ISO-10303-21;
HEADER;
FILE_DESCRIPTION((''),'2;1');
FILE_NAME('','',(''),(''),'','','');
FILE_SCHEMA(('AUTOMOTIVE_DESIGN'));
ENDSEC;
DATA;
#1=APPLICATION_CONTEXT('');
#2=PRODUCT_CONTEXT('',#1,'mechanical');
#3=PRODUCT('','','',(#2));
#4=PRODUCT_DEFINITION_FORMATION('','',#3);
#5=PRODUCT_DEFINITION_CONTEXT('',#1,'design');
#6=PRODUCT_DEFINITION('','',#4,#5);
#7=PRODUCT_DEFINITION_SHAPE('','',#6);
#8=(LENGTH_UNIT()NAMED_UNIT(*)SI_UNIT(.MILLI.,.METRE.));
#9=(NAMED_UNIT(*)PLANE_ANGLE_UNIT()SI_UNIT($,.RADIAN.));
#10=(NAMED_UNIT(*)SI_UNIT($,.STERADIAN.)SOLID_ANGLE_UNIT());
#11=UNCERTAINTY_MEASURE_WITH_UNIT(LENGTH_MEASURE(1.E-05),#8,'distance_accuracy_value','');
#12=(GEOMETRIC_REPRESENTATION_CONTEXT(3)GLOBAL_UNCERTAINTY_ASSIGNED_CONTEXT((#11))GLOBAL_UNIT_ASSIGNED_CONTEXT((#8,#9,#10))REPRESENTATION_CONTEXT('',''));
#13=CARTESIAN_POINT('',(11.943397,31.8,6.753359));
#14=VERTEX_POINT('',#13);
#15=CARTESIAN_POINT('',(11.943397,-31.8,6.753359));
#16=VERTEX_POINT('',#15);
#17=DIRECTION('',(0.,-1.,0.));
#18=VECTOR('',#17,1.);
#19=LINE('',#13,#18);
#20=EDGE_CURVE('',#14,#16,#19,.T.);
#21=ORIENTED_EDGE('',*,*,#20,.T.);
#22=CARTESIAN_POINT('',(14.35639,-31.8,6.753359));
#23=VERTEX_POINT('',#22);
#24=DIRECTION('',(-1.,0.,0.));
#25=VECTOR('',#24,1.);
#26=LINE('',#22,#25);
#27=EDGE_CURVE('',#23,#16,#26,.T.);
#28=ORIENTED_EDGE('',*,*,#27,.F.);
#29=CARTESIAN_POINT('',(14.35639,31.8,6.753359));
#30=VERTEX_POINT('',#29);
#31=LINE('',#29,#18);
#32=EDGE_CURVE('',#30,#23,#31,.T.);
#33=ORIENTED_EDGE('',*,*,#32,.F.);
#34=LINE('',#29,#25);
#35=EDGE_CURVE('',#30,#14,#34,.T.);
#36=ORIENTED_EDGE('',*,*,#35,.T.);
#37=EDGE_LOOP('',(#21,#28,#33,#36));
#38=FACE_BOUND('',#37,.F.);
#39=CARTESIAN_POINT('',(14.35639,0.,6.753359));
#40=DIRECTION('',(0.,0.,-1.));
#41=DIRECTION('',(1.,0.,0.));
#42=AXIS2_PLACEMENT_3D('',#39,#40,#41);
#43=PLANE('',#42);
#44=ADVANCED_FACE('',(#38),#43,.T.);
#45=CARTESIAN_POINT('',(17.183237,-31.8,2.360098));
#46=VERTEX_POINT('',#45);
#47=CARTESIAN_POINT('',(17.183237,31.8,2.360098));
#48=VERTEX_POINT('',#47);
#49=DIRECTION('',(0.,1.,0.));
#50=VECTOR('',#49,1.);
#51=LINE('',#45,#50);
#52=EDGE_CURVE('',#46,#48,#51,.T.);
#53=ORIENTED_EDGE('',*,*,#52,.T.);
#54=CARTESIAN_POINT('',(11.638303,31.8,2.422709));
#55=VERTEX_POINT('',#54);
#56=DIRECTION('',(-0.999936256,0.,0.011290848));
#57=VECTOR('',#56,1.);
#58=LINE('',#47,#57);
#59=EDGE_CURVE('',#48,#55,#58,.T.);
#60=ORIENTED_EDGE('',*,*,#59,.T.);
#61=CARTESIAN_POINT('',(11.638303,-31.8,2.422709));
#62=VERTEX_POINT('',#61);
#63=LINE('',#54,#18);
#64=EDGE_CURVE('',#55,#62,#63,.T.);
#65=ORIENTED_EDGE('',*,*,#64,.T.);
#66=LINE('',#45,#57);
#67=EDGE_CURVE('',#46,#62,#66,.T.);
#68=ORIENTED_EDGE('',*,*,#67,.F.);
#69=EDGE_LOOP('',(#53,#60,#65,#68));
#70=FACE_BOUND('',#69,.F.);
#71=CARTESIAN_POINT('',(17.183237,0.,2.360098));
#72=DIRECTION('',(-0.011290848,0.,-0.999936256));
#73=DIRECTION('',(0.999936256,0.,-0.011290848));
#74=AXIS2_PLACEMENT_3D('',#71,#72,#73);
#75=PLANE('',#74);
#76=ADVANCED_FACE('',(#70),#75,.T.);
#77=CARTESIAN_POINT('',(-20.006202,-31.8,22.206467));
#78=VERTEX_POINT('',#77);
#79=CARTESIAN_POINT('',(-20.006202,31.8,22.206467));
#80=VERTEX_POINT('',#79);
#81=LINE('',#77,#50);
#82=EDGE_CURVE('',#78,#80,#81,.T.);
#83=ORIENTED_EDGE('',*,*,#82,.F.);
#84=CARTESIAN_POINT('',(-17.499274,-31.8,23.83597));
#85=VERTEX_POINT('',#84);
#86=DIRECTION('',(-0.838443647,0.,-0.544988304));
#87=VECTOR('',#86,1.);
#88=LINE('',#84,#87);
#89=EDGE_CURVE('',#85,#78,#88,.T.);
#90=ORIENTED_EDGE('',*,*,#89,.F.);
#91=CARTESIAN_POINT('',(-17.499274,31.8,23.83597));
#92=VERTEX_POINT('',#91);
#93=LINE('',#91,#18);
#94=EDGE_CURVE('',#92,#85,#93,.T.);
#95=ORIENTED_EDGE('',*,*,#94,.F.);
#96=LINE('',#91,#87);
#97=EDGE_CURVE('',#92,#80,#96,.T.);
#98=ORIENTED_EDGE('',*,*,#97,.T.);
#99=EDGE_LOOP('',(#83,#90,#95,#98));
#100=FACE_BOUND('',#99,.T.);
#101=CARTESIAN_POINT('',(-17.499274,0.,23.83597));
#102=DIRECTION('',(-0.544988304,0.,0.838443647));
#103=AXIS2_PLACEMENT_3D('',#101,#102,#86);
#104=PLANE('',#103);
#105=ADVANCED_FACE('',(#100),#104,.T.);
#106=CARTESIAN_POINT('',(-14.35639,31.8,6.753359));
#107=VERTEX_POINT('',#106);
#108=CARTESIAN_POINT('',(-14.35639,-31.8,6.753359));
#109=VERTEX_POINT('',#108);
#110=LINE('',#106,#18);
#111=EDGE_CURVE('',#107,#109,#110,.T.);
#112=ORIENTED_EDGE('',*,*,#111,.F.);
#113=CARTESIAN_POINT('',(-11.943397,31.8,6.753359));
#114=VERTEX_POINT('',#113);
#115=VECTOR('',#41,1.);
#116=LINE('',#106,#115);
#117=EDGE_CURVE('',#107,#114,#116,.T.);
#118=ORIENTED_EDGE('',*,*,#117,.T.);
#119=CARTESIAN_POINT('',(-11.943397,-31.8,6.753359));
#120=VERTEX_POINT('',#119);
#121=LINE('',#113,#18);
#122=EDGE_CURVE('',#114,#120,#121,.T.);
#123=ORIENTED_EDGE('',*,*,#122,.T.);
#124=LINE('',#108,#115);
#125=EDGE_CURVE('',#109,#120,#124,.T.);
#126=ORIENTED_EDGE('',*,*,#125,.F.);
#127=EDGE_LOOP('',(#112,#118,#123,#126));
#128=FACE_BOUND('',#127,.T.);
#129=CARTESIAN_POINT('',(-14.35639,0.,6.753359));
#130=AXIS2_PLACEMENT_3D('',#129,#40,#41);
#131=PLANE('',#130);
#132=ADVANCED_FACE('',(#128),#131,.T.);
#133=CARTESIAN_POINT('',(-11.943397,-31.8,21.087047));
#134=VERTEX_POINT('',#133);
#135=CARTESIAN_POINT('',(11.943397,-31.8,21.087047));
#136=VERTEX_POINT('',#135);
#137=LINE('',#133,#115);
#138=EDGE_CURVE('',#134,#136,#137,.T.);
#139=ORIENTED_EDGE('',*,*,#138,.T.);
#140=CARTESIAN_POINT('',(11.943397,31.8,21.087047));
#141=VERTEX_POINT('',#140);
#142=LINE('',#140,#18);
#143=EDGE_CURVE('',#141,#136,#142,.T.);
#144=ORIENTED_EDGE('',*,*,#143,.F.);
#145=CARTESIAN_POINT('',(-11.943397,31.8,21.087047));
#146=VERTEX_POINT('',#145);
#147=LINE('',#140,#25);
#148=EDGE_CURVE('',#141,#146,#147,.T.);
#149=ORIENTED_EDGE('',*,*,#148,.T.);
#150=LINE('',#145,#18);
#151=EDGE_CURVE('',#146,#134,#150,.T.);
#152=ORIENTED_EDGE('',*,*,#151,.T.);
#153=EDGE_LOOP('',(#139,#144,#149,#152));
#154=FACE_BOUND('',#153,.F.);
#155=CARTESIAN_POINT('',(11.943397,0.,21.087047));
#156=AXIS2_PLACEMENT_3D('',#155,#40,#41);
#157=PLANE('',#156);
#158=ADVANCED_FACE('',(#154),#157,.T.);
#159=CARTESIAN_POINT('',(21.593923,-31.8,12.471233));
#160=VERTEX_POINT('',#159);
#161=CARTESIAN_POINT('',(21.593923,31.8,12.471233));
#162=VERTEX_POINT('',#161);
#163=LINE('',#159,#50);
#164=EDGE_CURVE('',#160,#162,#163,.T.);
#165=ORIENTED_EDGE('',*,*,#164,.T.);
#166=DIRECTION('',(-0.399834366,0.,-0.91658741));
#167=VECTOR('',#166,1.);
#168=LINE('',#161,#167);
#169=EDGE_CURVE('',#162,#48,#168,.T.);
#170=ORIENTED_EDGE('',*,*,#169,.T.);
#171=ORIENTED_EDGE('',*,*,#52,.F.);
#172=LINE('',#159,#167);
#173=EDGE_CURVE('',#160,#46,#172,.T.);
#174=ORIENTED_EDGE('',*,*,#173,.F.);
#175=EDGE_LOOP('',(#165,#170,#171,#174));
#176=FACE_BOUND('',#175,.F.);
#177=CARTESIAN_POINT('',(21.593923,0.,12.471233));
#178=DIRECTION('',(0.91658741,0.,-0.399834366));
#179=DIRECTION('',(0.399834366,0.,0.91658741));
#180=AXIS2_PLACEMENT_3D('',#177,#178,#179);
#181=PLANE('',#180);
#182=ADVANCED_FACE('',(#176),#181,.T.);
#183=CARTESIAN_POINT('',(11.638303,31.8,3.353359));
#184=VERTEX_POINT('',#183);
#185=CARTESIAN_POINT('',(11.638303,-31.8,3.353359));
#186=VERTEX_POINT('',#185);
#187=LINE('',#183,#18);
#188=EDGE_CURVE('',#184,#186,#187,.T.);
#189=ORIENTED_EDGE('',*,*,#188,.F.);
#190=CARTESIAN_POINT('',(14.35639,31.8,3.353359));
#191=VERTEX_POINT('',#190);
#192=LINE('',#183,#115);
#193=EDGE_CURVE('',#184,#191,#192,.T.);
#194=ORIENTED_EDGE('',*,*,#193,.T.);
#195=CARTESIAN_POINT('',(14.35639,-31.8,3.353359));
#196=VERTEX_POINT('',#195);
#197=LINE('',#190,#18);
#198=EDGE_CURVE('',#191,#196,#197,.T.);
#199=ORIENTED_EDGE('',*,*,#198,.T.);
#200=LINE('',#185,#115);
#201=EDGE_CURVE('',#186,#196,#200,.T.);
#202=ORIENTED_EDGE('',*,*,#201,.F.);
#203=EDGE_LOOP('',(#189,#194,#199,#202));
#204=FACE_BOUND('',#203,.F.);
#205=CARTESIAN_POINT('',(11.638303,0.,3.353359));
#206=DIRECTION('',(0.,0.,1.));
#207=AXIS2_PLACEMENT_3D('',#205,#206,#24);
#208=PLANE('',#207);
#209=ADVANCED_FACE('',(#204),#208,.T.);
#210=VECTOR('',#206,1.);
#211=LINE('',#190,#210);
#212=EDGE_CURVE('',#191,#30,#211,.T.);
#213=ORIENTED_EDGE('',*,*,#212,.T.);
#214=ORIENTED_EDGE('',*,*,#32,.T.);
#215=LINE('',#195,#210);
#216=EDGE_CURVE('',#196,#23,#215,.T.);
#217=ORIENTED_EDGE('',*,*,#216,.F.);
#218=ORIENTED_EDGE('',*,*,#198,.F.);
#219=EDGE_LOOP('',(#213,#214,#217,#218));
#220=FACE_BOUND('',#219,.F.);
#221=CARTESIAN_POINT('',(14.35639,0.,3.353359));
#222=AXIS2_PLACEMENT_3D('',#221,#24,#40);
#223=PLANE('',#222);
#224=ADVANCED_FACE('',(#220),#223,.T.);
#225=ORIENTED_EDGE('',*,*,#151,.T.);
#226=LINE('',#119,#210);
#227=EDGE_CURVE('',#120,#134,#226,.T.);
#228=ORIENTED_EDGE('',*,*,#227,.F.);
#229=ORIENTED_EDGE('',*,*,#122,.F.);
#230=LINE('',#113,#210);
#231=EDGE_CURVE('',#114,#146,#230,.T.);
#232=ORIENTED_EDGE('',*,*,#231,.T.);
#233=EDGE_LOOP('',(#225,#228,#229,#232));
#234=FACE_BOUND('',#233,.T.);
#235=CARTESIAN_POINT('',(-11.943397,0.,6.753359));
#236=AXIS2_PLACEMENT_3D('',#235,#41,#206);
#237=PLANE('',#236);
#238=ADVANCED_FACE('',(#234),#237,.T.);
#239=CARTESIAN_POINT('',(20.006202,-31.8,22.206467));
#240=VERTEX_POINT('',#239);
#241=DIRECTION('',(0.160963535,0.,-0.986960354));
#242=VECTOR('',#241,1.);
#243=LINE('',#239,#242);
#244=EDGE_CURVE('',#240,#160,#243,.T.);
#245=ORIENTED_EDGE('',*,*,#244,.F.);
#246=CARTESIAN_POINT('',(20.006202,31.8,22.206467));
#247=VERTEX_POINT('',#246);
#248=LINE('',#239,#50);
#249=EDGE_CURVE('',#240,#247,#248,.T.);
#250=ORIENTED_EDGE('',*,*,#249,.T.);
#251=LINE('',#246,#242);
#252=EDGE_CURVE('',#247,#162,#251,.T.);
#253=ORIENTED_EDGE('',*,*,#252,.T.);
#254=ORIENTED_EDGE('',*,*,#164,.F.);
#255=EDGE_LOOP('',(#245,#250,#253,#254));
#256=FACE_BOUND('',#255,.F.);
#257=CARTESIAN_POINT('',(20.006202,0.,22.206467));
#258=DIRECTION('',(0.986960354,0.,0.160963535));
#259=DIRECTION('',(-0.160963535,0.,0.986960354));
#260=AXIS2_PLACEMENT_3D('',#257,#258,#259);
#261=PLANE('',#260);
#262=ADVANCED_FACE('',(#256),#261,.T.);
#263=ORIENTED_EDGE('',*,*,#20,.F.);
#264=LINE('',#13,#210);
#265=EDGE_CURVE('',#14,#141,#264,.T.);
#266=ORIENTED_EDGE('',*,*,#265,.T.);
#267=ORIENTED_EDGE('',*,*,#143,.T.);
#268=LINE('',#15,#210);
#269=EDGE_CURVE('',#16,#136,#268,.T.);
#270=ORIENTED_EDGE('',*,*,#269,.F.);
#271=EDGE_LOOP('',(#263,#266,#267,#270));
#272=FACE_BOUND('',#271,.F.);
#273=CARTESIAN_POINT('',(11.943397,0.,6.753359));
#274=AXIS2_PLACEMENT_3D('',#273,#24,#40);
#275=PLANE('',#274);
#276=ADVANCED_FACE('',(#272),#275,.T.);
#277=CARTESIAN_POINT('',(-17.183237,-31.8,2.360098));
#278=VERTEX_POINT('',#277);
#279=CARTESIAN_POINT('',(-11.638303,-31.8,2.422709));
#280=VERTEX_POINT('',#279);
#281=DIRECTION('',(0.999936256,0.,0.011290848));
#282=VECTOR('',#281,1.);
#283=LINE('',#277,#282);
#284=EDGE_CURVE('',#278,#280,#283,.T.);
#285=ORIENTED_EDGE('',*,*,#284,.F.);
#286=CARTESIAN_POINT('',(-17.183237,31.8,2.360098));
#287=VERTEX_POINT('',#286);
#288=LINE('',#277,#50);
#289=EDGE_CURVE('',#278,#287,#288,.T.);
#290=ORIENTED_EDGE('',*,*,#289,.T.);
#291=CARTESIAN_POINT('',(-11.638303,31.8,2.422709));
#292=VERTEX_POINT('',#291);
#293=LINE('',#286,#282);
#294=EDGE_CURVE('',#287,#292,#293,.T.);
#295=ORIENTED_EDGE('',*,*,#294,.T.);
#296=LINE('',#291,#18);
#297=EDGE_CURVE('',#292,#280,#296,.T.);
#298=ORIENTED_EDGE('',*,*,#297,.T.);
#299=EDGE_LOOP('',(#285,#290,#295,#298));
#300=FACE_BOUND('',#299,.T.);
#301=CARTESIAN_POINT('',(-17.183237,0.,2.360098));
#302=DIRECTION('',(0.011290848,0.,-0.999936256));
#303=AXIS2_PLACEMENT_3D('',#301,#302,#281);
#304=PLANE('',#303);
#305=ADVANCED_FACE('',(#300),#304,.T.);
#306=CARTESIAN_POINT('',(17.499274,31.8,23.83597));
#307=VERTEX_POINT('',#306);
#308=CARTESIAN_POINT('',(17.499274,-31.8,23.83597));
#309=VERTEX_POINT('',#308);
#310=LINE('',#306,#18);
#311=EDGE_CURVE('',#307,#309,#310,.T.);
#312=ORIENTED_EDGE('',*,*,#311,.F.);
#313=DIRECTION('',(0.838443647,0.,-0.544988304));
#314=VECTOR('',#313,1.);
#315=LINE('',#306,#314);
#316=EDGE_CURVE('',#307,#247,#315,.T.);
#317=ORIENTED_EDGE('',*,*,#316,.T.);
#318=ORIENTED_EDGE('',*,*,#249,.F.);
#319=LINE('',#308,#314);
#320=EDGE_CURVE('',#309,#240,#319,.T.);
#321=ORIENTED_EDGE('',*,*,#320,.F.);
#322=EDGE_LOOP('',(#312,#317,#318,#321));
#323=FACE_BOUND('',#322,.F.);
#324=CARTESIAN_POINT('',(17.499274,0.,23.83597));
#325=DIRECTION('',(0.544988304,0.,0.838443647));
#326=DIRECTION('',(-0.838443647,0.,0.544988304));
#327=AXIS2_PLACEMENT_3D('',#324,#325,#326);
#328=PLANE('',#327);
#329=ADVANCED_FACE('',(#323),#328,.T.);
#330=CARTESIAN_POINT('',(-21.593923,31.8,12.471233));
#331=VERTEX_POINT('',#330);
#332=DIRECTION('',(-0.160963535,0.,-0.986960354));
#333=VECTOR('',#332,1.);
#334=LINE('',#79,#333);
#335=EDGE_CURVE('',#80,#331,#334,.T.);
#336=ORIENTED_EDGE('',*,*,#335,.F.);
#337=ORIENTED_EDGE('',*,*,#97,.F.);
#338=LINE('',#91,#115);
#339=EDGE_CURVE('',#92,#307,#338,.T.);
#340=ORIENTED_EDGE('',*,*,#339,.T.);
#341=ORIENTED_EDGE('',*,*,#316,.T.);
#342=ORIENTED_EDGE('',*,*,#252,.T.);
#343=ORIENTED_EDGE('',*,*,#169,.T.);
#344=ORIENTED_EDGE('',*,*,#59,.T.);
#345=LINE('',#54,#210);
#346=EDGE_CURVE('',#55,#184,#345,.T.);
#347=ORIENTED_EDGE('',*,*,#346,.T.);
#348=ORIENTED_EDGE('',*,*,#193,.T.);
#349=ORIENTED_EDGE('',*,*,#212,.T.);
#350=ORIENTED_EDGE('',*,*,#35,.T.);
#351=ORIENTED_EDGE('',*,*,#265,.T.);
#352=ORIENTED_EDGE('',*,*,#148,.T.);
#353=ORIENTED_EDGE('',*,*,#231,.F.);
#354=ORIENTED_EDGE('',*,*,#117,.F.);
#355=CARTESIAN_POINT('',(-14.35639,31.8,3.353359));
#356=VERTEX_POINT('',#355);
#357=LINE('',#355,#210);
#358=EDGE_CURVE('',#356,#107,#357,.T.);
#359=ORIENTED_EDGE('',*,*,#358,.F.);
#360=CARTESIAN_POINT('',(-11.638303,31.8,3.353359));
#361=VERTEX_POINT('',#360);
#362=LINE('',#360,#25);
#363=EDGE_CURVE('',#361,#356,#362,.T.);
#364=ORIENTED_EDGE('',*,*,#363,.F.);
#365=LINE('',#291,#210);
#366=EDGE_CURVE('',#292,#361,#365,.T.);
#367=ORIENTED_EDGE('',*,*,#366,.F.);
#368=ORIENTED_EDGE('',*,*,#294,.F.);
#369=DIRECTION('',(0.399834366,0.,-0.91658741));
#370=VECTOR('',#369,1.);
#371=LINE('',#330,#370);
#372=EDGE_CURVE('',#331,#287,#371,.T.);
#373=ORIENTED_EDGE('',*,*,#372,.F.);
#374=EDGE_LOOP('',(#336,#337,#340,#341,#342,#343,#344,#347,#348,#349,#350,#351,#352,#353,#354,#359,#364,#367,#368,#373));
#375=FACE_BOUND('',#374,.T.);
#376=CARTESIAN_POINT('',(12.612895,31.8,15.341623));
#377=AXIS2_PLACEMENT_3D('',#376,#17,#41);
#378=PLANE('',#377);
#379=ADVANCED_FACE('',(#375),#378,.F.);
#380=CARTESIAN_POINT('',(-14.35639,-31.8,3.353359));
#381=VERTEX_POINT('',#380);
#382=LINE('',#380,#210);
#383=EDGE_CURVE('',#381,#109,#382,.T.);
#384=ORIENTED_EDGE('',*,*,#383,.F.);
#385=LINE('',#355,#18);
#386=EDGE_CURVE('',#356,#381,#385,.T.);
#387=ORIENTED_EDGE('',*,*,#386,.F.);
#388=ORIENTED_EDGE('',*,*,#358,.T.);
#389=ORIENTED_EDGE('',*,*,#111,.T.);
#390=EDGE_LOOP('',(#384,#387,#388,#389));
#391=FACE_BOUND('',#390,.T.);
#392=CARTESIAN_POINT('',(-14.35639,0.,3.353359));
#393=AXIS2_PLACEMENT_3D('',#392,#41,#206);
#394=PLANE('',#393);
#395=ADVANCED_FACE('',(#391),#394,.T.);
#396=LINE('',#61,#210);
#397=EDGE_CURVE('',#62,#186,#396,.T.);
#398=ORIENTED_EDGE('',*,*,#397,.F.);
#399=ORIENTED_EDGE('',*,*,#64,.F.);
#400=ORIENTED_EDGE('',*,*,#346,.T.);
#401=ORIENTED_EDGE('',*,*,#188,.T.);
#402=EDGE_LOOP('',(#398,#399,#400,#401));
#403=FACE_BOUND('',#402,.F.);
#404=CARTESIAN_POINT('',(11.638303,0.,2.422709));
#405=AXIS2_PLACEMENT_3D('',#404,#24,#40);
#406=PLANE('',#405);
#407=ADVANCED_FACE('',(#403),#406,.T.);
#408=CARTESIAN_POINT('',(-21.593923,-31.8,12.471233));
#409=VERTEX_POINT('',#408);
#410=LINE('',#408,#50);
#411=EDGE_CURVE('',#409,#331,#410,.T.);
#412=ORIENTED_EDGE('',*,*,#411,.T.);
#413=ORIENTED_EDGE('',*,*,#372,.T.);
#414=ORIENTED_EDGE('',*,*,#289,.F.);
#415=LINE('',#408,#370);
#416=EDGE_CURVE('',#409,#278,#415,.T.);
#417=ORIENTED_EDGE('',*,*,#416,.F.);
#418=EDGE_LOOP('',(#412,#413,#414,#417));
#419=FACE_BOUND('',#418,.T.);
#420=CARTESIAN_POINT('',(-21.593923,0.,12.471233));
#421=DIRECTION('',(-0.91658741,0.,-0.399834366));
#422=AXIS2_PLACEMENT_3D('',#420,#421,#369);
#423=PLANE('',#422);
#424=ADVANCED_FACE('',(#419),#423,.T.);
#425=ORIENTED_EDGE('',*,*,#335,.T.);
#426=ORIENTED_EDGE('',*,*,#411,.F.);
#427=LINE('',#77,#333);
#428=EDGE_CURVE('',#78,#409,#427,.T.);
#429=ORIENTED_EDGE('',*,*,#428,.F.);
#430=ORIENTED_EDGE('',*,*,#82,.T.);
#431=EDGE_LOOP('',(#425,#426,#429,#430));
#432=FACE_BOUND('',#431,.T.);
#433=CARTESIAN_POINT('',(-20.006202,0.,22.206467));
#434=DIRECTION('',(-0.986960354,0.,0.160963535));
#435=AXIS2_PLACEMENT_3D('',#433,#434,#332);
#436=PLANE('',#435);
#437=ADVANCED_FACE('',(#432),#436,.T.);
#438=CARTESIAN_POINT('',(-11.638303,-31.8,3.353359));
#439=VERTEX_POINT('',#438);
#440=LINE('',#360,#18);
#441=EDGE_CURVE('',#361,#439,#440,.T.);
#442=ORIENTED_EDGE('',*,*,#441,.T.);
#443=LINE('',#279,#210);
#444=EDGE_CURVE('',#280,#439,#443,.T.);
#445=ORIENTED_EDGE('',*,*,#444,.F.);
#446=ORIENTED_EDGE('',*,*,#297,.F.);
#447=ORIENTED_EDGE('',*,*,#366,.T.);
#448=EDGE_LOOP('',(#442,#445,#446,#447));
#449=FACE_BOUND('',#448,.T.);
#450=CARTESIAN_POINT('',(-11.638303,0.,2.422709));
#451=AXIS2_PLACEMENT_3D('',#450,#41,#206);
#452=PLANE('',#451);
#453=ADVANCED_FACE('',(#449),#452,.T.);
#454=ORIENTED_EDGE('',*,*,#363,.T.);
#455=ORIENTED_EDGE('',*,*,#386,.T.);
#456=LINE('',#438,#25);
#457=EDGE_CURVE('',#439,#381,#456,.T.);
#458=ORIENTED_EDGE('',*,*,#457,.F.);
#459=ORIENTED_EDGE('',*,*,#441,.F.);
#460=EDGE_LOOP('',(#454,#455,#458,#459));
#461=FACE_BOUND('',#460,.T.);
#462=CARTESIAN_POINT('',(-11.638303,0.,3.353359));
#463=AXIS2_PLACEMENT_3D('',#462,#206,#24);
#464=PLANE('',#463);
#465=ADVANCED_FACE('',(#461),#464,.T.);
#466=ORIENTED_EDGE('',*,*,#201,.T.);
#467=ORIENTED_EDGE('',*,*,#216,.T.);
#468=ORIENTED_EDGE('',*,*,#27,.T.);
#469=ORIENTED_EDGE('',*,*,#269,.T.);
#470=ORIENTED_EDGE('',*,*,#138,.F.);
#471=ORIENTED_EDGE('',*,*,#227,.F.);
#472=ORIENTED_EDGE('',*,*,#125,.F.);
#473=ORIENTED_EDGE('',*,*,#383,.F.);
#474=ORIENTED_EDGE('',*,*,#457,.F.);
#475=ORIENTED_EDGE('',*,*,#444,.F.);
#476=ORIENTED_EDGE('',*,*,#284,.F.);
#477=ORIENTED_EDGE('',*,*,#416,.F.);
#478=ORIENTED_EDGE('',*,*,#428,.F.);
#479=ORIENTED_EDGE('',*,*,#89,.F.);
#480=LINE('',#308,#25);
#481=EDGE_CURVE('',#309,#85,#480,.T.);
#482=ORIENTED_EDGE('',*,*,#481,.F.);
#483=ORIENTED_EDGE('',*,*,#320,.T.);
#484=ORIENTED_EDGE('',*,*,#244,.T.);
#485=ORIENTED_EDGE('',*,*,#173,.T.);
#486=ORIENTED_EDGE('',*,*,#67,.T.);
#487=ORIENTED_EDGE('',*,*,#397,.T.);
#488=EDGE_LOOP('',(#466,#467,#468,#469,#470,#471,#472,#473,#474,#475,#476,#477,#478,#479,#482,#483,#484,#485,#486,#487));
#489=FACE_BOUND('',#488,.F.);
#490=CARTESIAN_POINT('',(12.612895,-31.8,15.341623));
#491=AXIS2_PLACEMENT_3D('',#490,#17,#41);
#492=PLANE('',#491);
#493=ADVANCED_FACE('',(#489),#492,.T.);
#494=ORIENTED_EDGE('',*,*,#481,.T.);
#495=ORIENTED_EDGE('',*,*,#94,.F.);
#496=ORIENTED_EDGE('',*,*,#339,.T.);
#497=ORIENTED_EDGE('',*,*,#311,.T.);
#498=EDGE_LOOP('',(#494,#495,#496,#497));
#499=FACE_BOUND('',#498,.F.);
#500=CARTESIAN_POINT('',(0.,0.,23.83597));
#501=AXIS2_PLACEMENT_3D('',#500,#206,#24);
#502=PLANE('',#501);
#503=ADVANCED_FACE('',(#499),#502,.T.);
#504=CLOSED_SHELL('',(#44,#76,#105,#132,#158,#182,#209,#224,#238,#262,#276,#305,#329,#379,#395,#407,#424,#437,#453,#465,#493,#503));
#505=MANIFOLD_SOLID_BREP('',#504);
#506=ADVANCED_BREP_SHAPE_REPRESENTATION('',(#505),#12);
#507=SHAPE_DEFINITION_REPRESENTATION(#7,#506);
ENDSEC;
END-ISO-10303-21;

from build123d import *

# Parameters (mm, degrees)
F1_DEPTH = 31.8


with BuildPart() as f1:
    # F0 (on Front) → F1 (new body, symmetric)
    with BuildSketch(Plane.XZ):
        Polygon((-17.183237, 2.360098), (-11.638303, 2.422709), (-11.638303, 3.353359), (-14.35639, 3.353359), (-14.35639, 6.753359), (-11.943397, 6.753359), (-11.943397, 21.087047), (0, 21.087047), (0, 23.83597), (-17.499274, 23.83597), (-20.006202, 22.206467), (-21.593923, 12.471233), align=None)
    extrude(amount=F1_DEPTH, both=True)

    # F2: F1 across plane


with BuildPart() as f1_1:
    add(f1.part)
    add(f1.part.mirror(Plane.YZ))


solid = f1_1.part
